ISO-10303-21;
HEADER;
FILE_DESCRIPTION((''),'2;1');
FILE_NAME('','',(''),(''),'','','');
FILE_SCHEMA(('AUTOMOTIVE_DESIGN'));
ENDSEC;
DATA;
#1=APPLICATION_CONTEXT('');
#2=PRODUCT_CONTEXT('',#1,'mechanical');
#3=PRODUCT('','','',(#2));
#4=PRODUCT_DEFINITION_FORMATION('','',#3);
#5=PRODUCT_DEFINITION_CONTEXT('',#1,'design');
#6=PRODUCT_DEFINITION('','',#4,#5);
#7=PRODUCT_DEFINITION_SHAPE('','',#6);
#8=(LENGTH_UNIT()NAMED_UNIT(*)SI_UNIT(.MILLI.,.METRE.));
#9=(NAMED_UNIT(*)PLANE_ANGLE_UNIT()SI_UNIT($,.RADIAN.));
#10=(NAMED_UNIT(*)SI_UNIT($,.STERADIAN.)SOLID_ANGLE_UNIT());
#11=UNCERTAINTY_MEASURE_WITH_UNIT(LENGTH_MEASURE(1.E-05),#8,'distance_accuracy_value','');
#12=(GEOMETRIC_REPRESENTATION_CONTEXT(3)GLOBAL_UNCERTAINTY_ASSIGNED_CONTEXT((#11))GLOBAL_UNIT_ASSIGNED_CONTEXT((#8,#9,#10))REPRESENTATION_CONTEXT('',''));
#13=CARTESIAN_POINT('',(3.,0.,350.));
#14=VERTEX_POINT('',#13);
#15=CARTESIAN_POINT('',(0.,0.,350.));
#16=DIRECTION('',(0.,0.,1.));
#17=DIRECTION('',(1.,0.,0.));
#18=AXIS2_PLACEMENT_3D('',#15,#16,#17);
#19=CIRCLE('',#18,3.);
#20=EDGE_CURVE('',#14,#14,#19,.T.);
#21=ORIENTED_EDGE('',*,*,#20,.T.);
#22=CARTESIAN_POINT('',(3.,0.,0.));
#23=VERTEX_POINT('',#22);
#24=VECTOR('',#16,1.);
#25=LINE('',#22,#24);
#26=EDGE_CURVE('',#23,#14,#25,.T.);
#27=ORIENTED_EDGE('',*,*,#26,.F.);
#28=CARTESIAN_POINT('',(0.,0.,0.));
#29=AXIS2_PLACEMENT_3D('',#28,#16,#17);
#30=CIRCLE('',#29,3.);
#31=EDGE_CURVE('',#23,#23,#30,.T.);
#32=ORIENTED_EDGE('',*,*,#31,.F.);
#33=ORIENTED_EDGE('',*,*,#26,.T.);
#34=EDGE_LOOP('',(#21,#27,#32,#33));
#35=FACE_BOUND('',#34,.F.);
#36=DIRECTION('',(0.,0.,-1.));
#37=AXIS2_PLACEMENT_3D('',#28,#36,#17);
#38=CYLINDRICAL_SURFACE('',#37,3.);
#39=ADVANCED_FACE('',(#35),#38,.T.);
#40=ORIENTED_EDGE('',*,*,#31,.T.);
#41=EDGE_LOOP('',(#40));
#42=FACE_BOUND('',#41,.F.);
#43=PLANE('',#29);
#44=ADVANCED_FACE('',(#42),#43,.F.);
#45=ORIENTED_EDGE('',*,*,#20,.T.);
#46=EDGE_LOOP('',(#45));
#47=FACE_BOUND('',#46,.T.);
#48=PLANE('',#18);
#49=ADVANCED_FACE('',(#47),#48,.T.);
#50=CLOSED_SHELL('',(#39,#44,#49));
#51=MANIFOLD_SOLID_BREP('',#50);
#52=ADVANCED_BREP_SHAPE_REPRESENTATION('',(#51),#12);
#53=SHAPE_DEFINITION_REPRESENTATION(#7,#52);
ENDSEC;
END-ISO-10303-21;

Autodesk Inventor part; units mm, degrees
ref_plane "YZ Plane" through (0, 0, 0) normal (1, 0, 0) x (0, 1, 0)
ref_plane "XZ Plane" through (0, 0, 0) normal (0, 1, 0) x (-1, 0, 0)
ref_plane "XY Plane" through (0, 0, 0) normal (0, 0, 1) x (1, 0, 0)
sketch "Szkic1" plane through (0, 0, 0) normal (0, 0, 1) x (1, 0, 0)
  point P0 (0, 0)
sketch "Szkic2" plane through (0, 0, 0) normal (0, 0, 1) x (1, 0, 0)
  circle A0 centre (0, 0) radius 3
  dimension "d0" = 6
extrude "Wyciągnięcie proste1" add sketch "Szkic2" along normal blind 350
thread "Gwint1" size "M6x1" class "6g" standard "ANSI Metric M Profile" full length
properties part number "COTS_GENERIC_M6x350mm_Z_Axis_Screw"
